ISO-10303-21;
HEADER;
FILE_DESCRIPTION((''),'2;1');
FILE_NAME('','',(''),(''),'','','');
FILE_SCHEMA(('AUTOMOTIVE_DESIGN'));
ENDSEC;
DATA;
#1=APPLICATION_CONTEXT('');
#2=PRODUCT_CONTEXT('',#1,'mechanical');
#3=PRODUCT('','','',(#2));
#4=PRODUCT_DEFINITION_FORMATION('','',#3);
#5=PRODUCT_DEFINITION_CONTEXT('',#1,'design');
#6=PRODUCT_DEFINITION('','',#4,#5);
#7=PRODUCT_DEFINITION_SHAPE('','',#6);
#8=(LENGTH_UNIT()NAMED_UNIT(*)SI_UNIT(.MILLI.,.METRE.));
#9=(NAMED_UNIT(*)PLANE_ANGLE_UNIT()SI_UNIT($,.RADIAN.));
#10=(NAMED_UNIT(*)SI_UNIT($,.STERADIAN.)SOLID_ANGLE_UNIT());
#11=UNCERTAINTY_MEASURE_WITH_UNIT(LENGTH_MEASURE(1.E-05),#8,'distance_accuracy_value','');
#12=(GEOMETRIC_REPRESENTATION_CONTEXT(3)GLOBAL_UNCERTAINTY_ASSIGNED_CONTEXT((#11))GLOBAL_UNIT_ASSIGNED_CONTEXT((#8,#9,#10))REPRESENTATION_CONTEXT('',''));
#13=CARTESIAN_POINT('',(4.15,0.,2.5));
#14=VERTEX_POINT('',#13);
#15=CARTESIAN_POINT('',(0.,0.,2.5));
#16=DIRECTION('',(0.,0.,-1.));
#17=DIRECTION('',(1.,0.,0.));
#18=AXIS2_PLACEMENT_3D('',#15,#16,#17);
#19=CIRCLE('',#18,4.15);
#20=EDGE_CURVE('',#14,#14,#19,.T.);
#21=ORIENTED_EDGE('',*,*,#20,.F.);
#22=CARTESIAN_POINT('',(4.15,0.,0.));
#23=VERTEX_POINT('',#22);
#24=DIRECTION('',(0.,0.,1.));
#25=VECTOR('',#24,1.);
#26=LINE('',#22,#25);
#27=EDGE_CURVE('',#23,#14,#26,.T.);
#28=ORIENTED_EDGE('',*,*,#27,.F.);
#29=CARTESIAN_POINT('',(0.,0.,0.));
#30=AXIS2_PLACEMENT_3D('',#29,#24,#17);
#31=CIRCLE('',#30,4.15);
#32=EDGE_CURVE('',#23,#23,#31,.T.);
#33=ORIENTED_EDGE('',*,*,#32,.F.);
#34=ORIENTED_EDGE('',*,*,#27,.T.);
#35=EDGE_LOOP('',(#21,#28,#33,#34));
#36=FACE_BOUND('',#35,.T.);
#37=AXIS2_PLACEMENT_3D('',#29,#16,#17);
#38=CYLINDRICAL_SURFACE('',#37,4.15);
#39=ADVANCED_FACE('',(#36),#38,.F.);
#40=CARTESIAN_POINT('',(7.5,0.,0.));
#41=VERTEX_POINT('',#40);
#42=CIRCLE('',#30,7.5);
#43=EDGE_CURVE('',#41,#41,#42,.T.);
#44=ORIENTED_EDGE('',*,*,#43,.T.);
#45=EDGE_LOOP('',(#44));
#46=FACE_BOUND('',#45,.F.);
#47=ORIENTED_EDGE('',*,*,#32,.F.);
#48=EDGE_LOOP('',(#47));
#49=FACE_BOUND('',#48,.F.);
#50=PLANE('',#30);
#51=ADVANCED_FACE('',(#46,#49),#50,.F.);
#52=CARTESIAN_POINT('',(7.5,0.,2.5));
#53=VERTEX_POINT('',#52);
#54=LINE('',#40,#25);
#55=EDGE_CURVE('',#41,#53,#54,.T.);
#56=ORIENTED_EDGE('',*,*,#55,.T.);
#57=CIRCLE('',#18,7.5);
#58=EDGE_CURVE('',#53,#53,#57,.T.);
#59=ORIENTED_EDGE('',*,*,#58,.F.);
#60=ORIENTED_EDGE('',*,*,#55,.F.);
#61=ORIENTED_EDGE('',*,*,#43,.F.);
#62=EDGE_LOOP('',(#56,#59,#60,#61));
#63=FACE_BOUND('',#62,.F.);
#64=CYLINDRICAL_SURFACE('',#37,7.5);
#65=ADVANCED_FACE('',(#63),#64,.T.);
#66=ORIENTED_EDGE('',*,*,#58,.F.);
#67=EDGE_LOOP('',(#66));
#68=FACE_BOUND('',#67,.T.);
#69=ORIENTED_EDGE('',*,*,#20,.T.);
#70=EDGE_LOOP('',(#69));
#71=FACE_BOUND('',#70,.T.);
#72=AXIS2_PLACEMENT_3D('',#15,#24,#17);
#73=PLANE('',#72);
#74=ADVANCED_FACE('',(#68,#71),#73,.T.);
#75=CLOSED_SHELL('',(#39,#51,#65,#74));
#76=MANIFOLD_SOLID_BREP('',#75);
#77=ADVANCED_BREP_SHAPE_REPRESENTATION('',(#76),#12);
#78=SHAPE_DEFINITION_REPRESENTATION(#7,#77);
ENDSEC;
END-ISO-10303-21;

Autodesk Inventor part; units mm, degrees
ref_plane "YZ Plane" through (0, 0, 0) normal (1, 0, 0) x (0, 1, 0)
ref_plane "XZ Plane" through (0, 0, 0) normal (0, 1, 0) x (-1, 0, 0)
ref_plane "XY Plane" through (0, 0, 0) normal (0, 0, 1) x (1, 0, 0)
sketch "Náčrt1" plane through (0, 0, 0) normal (0, 0, 1) x (1, 0, 0)
  line L0 (0, 10.5) -> (0, -10.5) projected
  line L1 (-10.5, 0) -> (10.5, 0) projected
  circle A0 centre (0, 0) radius 7.5
  circle A1 centre (0, 0) radius 4.15
  dimension "d0" = 15
  dimension "d1" = 8.3
extrude "Vysunutí1" add sketch "Náčrt1" along normal blind 2.5 contours A0 L1 A1 L0 | L0 A1 L1 A0 | A0 L0 A1 L1 | L1 A1 L0 A0
properties part number "krouzek_valec_3D tisk"
